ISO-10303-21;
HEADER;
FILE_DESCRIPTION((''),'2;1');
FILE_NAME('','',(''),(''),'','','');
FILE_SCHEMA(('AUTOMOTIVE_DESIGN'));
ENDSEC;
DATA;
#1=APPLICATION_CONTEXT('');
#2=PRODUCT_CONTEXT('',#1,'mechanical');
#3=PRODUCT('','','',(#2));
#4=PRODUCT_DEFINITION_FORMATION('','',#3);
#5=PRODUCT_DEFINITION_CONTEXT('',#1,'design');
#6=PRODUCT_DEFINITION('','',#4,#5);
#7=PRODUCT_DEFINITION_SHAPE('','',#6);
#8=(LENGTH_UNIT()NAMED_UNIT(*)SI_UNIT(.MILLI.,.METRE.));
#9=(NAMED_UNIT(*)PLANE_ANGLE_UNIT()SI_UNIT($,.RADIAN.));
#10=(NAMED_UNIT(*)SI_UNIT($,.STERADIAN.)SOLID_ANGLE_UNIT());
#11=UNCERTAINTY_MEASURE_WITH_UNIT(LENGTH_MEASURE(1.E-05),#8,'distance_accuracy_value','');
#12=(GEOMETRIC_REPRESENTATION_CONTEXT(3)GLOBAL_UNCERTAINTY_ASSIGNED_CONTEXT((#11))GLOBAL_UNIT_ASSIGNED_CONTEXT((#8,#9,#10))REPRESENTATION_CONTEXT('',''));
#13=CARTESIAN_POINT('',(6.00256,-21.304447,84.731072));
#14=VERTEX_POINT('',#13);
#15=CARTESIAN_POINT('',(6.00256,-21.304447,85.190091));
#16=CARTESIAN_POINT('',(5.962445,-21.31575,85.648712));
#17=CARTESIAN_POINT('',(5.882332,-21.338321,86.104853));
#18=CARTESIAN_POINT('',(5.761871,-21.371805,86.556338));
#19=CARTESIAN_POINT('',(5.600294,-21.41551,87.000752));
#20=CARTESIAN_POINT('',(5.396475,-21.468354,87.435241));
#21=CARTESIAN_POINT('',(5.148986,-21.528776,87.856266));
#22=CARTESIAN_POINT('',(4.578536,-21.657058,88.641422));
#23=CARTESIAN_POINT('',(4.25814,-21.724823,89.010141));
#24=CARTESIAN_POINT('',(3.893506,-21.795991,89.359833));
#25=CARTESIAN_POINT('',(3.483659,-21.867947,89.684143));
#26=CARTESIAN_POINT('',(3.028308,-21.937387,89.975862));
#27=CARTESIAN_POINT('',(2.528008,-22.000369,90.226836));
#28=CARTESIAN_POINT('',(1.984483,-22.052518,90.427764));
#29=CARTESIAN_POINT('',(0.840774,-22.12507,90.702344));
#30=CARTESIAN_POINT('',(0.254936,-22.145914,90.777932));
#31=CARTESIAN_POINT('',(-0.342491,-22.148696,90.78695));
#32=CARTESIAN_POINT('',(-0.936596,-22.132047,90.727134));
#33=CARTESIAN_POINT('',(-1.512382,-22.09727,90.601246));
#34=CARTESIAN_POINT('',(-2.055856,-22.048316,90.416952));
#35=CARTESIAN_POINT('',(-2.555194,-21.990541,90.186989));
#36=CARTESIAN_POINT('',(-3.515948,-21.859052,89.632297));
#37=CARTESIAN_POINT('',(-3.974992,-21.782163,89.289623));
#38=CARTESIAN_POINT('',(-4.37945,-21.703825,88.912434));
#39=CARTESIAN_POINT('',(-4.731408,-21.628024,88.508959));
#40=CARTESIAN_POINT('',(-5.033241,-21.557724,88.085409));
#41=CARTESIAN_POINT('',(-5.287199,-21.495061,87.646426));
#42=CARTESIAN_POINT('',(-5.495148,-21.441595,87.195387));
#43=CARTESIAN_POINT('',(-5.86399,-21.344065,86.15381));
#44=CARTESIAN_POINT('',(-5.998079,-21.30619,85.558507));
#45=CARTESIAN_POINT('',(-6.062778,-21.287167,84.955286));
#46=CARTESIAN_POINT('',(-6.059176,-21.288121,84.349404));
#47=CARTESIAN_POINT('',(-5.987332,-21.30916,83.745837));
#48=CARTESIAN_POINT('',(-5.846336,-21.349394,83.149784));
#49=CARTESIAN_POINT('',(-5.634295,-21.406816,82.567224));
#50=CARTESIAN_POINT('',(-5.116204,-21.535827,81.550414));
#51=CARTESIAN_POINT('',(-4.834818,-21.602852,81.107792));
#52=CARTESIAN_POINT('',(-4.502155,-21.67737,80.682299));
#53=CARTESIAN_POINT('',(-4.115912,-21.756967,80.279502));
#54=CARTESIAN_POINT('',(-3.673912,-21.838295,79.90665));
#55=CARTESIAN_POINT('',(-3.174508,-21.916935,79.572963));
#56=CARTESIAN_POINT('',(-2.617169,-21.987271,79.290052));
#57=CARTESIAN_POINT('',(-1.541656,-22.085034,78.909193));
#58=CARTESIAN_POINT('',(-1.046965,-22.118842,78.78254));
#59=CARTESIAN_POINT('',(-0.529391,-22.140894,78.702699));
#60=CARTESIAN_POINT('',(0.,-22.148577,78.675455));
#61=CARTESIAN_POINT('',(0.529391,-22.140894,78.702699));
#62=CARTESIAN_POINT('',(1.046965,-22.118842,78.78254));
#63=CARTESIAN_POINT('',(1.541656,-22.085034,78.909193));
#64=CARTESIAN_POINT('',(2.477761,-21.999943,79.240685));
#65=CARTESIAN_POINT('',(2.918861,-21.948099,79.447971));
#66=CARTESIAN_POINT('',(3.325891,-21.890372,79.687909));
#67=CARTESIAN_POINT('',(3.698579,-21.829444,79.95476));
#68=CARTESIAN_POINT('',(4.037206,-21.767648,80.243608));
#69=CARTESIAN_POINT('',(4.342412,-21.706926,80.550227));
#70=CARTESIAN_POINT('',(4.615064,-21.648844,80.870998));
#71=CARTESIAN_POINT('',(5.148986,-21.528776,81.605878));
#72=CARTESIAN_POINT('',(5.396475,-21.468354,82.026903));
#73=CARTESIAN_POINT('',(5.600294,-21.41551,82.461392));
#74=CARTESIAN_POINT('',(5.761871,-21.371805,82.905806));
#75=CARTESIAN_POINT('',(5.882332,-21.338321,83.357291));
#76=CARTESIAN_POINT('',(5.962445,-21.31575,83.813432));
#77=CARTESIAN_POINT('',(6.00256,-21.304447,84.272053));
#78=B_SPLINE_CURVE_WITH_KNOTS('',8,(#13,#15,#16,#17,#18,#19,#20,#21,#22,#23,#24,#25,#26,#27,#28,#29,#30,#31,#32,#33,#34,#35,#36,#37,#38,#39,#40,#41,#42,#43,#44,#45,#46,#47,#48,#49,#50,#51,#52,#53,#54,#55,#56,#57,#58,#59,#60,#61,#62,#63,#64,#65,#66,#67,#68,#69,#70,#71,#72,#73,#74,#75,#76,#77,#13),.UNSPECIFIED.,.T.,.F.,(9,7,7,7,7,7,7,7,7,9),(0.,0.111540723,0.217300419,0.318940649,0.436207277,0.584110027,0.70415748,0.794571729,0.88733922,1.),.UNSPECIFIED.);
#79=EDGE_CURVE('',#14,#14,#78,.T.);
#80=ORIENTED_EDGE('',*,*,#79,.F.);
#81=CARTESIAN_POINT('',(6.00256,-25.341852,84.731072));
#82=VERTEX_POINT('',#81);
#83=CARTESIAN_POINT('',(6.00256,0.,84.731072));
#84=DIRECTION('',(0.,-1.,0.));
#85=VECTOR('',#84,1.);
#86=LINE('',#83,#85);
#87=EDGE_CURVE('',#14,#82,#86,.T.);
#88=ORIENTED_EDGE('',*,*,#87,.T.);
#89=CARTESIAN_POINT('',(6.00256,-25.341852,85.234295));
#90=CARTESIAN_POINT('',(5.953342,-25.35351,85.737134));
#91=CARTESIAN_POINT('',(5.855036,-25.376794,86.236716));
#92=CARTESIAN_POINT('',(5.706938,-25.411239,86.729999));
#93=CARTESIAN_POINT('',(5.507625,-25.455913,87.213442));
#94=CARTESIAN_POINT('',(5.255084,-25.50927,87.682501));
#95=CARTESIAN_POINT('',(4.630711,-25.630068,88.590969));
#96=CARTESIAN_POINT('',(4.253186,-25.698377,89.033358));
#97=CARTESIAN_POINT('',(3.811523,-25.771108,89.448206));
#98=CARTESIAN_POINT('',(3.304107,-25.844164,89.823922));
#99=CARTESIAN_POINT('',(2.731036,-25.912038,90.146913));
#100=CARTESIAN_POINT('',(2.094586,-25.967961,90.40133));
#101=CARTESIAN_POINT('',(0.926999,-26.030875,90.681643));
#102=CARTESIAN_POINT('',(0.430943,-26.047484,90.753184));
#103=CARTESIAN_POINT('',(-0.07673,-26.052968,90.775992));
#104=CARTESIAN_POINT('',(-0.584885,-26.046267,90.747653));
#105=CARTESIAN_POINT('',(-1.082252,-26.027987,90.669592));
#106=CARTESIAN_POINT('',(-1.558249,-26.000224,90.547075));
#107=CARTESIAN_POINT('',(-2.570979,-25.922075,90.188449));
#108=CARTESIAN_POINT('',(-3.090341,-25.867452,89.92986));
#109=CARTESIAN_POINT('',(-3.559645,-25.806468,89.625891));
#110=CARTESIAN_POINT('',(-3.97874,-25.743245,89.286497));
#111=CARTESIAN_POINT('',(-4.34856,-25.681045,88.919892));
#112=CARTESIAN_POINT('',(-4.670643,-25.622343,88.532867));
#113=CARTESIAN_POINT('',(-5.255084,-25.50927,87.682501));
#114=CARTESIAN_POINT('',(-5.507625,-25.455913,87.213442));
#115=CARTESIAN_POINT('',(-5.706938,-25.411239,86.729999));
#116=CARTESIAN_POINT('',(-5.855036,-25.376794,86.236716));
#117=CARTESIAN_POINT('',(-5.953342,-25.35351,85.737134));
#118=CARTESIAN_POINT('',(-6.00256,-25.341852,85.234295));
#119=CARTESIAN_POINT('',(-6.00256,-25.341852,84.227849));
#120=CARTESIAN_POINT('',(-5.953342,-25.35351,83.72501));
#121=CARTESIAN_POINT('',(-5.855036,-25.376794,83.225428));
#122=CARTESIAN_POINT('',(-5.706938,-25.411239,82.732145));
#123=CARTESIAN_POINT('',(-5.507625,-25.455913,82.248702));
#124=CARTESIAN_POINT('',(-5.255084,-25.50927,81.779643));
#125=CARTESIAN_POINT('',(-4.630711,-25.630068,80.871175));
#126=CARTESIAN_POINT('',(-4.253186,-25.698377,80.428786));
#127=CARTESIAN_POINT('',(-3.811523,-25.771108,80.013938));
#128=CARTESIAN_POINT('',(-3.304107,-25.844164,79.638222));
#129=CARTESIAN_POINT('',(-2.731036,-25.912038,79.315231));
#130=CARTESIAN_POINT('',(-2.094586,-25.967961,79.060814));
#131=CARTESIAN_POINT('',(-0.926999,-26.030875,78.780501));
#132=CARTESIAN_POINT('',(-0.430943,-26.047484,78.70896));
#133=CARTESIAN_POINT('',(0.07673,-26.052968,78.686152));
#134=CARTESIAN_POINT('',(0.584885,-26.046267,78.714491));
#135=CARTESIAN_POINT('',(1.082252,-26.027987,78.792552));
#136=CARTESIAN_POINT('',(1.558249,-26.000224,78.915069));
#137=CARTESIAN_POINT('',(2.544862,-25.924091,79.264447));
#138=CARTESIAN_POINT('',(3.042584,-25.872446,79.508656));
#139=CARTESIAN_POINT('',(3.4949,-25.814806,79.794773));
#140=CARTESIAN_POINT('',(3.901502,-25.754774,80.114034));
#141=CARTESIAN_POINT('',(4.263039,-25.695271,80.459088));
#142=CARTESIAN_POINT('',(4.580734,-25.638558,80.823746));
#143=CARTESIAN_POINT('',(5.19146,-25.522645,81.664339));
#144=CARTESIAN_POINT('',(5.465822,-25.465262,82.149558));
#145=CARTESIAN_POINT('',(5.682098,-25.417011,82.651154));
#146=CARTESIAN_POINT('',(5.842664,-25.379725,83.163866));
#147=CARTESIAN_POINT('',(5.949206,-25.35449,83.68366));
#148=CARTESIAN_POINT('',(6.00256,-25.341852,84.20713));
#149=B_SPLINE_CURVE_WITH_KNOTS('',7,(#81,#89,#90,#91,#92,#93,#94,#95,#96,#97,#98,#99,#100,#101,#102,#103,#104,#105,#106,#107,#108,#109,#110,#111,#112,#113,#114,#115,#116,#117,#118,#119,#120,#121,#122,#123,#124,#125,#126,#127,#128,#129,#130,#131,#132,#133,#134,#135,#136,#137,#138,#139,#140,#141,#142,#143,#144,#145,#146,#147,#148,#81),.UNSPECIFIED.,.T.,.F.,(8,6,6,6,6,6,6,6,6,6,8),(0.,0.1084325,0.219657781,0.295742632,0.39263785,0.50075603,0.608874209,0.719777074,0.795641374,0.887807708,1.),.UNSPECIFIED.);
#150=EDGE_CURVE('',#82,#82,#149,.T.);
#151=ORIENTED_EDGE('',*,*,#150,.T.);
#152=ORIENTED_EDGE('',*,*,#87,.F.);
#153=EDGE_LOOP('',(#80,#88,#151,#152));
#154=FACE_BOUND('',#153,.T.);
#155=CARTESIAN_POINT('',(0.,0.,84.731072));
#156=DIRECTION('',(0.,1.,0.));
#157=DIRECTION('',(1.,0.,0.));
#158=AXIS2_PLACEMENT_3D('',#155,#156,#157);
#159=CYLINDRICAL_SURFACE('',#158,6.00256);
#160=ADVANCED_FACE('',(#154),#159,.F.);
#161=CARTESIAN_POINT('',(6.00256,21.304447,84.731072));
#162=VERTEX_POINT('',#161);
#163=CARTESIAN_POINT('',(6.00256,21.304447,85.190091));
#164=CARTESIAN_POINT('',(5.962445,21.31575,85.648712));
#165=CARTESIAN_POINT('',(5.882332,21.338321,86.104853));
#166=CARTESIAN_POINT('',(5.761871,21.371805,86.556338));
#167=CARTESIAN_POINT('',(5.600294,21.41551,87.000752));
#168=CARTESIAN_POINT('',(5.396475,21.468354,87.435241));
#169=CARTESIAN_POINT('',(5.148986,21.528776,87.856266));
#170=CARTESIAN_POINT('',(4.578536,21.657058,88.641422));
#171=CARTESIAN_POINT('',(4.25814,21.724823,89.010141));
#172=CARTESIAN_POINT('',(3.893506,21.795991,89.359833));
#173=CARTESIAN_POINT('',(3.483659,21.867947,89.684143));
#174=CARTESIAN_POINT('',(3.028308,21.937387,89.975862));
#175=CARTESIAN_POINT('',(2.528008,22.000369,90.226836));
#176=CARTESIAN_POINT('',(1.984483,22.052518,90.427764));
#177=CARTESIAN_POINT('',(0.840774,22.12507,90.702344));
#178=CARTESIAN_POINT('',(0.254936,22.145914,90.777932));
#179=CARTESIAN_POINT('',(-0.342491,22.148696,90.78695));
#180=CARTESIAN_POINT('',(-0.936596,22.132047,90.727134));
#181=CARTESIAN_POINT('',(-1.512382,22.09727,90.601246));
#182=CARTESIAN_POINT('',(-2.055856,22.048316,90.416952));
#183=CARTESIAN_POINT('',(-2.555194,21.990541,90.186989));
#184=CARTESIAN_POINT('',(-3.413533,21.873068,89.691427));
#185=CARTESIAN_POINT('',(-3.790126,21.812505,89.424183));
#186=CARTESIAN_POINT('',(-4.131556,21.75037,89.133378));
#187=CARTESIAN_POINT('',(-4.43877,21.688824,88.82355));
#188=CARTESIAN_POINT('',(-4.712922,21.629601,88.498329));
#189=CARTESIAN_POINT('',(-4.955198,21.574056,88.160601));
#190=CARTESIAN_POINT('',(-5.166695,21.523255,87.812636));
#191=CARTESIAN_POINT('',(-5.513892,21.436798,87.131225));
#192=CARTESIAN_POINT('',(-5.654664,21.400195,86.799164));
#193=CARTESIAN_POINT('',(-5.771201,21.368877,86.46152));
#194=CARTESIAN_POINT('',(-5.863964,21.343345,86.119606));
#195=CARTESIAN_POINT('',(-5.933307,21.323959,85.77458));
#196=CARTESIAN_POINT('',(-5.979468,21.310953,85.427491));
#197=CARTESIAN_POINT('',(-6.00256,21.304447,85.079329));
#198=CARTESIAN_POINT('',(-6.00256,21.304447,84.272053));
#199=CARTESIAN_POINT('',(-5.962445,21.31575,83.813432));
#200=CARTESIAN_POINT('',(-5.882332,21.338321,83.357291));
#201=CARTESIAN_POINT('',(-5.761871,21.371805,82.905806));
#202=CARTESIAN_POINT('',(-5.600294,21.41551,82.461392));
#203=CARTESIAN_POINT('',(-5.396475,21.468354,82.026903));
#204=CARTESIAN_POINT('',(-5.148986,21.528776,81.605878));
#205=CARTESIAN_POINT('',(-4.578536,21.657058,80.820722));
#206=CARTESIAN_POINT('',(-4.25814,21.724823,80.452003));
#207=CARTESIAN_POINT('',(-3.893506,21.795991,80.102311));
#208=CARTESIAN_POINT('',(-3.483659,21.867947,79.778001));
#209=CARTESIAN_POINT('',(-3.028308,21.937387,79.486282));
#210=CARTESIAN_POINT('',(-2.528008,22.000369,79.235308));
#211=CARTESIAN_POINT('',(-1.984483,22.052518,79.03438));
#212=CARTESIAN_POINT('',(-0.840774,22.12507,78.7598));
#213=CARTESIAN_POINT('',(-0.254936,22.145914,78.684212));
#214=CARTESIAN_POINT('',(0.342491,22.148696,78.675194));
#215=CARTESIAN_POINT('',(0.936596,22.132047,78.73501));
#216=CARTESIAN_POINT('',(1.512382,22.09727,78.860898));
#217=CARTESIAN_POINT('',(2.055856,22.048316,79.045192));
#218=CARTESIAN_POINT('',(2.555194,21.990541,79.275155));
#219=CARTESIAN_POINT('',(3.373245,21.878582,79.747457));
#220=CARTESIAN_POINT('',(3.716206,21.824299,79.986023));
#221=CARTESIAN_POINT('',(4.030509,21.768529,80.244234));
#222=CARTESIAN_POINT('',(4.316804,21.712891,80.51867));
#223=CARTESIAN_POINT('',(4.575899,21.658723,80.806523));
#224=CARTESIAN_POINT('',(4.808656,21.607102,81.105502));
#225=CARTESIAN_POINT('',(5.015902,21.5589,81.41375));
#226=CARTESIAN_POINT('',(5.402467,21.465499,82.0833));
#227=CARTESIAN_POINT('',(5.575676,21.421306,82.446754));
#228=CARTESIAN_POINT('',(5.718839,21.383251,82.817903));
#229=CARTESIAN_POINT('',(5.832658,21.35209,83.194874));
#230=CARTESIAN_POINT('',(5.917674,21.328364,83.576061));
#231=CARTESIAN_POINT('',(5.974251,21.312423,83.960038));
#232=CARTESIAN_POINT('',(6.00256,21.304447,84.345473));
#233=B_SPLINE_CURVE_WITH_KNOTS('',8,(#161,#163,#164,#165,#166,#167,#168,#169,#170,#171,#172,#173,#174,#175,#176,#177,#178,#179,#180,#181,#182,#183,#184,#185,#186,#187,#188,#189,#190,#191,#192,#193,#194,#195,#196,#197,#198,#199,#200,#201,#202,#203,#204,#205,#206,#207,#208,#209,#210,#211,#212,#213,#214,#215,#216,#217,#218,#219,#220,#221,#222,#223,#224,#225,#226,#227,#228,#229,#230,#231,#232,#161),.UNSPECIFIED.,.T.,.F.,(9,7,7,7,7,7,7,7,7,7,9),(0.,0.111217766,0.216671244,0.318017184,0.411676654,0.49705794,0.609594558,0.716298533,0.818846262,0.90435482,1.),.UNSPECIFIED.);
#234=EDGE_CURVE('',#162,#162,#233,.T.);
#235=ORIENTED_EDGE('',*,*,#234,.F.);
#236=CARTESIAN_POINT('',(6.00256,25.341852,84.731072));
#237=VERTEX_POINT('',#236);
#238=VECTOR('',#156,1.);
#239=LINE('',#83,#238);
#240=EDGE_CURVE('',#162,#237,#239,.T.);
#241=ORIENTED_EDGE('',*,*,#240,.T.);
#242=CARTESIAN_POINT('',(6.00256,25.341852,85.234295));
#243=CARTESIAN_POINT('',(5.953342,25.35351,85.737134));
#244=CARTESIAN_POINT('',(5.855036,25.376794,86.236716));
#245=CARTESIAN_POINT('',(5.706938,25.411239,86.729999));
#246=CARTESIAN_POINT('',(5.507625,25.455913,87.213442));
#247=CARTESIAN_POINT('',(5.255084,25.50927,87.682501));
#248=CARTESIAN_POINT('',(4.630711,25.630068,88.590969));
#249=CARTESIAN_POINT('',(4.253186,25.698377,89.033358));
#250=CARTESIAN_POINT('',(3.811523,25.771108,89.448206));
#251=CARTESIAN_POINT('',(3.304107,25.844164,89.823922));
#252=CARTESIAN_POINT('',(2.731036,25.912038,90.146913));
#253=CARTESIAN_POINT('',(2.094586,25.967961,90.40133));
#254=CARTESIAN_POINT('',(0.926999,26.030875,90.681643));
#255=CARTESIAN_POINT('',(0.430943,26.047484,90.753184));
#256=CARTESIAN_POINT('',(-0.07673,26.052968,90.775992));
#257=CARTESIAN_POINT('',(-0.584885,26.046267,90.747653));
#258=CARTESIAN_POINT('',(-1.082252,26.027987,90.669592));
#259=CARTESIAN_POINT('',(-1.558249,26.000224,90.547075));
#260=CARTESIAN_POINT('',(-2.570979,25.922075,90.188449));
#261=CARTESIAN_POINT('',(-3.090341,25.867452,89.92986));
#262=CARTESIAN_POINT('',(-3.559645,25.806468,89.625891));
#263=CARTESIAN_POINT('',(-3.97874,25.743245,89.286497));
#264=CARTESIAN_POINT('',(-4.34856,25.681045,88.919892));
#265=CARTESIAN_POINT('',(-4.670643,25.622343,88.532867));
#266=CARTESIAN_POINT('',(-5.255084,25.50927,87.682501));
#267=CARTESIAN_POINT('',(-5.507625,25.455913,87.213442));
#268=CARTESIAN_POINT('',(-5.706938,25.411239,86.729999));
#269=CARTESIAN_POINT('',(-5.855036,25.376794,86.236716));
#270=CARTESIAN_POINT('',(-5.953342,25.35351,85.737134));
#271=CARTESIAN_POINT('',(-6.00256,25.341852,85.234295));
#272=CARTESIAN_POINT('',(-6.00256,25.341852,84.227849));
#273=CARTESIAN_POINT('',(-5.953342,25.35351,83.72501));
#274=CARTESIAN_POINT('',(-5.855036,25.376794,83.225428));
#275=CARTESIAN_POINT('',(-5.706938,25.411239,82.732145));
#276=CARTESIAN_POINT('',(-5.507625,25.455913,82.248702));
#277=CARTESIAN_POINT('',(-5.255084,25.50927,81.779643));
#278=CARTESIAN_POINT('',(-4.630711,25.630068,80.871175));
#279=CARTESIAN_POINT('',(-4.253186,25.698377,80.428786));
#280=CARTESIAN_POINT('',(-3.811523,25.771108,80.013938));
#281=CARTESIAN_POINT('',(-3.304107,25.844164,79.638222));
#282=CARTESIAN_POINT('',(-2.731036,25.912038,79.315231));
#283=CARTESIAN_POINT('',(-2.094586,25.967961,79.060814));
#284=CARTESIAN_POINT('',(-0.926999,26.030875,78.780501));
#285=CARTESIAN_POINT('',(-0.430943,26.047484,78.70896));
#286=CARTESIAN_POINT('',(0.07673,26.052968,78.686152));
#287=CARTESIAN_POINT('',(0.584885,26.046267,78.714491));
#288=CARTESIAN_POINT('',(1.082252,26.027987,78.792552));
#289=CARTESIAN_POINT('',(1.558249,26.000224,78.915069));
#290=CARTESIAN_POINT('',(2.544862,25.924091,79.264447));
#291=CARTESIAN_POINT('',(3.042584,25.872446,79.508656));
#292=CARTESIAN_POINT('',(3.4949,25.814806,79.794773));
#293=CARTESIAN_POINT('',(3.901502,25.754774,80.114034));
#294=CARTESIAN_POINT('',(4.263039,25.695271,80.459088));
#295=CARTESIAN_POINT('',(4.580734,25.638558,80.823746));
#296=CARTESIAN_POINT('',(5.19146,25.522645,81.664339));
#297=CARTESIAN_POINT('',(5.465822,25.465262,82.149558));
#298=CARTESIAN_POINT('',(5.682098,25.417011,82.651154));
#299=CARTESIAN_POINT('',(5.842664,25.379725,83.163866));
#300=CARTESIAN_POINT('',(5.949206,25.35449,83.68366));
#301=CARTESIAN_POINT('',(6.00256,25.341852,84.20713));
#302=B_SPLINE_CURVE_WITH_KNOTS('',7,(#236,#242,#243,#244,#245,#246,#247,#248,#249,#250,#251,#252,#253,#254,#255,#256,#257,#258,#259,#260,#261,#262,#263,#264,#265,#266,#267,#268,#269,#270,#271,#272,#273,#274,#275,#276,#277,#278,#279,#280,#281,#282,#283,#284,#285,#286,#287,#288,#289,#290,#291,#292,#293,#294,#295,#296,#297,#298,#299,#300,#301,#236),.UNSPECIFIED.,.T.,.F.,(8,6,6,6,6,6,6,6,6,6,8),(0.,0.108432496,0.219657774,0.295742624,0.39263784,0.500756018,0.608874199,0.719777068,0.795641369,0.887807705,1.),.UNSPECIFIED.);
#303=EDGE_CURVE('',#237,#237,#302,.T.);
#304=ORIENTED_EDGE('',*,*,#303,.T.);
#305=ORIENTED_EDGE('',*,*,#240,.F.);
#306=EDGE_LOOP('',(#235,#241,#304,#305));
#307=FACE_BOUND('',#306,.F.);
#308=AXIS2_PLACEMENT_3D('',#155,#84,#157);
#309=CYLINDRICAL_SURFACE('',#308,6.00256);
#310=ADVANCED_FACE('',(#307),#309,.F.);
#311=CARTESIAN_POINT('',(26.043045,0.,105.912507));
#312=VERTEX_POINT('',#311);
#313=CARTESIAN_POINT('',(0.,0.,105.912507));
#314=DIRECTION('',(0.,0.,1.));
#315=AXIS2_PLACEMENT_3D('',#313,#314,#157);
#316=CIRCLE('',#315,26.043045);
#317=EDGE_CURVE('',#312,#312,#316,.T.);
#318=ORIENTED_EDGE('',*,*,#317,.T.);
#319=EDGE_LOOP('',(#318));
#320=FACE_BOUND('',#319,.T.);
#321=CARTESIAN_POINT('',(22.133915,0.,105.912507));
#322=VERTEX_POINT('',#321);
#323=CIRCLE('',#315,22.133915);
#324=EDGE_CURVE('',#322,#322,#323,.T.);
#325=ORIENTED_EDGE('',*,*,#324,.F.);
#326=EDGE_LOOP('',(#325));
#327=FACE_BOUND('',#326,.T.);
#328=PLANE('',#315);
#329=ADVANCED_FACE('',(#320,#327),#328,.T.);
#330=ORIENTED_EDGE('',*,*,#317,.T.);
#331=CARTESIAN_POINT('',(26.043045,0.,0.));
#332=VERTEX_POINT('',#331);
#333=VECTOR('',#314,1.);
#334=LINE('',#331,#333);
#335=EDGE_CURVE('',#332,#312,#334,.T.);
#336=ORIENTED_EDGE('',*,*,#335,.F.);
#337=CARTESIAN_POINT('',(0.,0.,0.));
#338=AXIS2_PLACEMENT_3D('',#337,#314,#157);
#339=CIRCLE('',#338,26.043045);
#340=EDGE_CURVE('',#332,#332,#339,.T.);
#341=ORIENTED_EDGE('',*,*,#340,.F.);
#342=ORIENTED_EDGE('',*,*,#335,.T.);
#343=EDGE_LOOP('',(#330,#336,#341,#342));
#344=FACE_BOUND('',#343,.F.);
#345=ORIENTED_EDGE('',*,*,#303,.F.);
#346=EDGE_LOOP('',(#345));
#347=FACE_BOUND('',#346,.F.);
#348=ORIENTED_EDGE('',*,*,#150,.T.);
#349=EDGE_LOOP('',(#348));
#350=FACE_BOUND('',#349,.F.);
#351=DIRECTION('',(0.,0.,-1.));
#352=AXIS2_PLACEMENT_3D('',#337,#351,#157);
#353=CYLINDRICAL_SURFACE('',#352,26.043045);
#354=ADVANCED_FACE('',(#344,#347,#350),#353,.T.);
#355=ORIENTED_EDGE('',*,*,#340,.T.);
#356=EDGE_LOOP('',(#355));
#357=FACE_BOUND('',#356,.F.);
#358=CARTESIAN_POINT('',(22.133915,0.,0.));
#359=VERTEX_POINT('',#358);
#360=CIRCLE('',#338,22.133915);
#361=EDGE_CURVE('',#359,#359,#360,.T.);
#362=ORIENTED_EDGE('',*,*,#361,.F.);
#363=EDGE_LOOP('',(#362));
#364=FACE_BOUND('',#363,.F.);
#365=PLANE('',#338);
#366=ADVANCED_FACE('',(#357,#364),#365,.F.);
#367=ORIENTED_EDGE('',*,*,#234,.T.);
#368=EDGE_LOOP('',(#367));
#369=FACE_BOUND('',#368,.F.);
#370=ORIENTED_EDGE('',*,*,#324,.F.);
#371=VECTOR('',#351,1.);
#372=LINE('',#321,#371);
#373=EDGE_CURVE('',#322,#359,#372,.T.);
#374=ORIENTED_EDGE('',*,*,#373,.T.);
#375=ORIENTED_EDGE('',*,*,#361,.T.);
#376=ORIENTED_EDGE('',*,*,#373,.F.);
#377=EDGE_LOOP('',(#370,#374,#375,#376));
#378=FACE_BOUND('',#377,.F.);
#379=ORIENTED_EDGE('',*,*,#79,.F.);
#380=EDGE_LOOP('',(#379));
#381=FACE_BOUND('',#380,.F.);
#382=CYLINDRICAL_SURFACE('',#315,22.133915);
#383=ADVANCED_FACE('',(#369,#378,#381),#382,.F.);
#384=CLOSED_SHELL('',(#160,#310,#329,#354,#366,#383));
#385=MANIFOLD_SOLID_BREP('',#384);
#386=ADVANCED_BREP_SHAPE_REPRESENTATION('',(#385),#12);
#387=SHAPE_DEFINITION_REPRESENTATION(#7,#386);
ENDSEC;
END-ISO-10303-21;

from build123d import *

# Parameters (mm, degrees)
F0_R          = 26.043045
F1_DEPTH      = 105.912507
F2_R          = 26.043045
F3_R          = 22.133915
F5_DEPTH      = 88.553265
F4_R          = 22.133915
F6_DEPTH      = 185.232297
F7_R          = 6.00256
F8_DEPTH      = 38.1
F8_DEPTH_BACK = 38.1


with BuildPart() as f1:
    # F0 (on Top) → F1 (new body)
    with BuildSketch(Plane.XY):
        Circle(F0_R)
    extrude(amount=F1_DEPTH)

    # F2 (on face) + F3 (on face) → F5 (join)
    with BuildSketch(Plane.XY.offset(105.912507)):
        Circle(F2_R)
    with BuildSketch(Plane.XY.offset(105.912507)):
        Circle(F3_R)
    extrude(amount=-F5_DEPTH)

    # F4 (on face) → F6 (cut)
    with BuildSketch(Plane.XY.offset(105.912507)):
        Circle(F4_R)
    extrude(amount=-F6_DEPTH, mode=Mode.SUBTRACT)

    # F7 (on Front) → F8 (cut, two sides)
    with BuildSketch(Plane.XZ) as f8_sk:
        with Locations((0, 84.731072)):
            Circle(F7_R)
    extrude(amount=F8_DEPTH, mode=Mode.SUBTRACT)
    extrude(f8_sk.sketch, amount=-F8_DEPTH_BACK, mode=Mode.SUBTRACT)


solid = f1.part
